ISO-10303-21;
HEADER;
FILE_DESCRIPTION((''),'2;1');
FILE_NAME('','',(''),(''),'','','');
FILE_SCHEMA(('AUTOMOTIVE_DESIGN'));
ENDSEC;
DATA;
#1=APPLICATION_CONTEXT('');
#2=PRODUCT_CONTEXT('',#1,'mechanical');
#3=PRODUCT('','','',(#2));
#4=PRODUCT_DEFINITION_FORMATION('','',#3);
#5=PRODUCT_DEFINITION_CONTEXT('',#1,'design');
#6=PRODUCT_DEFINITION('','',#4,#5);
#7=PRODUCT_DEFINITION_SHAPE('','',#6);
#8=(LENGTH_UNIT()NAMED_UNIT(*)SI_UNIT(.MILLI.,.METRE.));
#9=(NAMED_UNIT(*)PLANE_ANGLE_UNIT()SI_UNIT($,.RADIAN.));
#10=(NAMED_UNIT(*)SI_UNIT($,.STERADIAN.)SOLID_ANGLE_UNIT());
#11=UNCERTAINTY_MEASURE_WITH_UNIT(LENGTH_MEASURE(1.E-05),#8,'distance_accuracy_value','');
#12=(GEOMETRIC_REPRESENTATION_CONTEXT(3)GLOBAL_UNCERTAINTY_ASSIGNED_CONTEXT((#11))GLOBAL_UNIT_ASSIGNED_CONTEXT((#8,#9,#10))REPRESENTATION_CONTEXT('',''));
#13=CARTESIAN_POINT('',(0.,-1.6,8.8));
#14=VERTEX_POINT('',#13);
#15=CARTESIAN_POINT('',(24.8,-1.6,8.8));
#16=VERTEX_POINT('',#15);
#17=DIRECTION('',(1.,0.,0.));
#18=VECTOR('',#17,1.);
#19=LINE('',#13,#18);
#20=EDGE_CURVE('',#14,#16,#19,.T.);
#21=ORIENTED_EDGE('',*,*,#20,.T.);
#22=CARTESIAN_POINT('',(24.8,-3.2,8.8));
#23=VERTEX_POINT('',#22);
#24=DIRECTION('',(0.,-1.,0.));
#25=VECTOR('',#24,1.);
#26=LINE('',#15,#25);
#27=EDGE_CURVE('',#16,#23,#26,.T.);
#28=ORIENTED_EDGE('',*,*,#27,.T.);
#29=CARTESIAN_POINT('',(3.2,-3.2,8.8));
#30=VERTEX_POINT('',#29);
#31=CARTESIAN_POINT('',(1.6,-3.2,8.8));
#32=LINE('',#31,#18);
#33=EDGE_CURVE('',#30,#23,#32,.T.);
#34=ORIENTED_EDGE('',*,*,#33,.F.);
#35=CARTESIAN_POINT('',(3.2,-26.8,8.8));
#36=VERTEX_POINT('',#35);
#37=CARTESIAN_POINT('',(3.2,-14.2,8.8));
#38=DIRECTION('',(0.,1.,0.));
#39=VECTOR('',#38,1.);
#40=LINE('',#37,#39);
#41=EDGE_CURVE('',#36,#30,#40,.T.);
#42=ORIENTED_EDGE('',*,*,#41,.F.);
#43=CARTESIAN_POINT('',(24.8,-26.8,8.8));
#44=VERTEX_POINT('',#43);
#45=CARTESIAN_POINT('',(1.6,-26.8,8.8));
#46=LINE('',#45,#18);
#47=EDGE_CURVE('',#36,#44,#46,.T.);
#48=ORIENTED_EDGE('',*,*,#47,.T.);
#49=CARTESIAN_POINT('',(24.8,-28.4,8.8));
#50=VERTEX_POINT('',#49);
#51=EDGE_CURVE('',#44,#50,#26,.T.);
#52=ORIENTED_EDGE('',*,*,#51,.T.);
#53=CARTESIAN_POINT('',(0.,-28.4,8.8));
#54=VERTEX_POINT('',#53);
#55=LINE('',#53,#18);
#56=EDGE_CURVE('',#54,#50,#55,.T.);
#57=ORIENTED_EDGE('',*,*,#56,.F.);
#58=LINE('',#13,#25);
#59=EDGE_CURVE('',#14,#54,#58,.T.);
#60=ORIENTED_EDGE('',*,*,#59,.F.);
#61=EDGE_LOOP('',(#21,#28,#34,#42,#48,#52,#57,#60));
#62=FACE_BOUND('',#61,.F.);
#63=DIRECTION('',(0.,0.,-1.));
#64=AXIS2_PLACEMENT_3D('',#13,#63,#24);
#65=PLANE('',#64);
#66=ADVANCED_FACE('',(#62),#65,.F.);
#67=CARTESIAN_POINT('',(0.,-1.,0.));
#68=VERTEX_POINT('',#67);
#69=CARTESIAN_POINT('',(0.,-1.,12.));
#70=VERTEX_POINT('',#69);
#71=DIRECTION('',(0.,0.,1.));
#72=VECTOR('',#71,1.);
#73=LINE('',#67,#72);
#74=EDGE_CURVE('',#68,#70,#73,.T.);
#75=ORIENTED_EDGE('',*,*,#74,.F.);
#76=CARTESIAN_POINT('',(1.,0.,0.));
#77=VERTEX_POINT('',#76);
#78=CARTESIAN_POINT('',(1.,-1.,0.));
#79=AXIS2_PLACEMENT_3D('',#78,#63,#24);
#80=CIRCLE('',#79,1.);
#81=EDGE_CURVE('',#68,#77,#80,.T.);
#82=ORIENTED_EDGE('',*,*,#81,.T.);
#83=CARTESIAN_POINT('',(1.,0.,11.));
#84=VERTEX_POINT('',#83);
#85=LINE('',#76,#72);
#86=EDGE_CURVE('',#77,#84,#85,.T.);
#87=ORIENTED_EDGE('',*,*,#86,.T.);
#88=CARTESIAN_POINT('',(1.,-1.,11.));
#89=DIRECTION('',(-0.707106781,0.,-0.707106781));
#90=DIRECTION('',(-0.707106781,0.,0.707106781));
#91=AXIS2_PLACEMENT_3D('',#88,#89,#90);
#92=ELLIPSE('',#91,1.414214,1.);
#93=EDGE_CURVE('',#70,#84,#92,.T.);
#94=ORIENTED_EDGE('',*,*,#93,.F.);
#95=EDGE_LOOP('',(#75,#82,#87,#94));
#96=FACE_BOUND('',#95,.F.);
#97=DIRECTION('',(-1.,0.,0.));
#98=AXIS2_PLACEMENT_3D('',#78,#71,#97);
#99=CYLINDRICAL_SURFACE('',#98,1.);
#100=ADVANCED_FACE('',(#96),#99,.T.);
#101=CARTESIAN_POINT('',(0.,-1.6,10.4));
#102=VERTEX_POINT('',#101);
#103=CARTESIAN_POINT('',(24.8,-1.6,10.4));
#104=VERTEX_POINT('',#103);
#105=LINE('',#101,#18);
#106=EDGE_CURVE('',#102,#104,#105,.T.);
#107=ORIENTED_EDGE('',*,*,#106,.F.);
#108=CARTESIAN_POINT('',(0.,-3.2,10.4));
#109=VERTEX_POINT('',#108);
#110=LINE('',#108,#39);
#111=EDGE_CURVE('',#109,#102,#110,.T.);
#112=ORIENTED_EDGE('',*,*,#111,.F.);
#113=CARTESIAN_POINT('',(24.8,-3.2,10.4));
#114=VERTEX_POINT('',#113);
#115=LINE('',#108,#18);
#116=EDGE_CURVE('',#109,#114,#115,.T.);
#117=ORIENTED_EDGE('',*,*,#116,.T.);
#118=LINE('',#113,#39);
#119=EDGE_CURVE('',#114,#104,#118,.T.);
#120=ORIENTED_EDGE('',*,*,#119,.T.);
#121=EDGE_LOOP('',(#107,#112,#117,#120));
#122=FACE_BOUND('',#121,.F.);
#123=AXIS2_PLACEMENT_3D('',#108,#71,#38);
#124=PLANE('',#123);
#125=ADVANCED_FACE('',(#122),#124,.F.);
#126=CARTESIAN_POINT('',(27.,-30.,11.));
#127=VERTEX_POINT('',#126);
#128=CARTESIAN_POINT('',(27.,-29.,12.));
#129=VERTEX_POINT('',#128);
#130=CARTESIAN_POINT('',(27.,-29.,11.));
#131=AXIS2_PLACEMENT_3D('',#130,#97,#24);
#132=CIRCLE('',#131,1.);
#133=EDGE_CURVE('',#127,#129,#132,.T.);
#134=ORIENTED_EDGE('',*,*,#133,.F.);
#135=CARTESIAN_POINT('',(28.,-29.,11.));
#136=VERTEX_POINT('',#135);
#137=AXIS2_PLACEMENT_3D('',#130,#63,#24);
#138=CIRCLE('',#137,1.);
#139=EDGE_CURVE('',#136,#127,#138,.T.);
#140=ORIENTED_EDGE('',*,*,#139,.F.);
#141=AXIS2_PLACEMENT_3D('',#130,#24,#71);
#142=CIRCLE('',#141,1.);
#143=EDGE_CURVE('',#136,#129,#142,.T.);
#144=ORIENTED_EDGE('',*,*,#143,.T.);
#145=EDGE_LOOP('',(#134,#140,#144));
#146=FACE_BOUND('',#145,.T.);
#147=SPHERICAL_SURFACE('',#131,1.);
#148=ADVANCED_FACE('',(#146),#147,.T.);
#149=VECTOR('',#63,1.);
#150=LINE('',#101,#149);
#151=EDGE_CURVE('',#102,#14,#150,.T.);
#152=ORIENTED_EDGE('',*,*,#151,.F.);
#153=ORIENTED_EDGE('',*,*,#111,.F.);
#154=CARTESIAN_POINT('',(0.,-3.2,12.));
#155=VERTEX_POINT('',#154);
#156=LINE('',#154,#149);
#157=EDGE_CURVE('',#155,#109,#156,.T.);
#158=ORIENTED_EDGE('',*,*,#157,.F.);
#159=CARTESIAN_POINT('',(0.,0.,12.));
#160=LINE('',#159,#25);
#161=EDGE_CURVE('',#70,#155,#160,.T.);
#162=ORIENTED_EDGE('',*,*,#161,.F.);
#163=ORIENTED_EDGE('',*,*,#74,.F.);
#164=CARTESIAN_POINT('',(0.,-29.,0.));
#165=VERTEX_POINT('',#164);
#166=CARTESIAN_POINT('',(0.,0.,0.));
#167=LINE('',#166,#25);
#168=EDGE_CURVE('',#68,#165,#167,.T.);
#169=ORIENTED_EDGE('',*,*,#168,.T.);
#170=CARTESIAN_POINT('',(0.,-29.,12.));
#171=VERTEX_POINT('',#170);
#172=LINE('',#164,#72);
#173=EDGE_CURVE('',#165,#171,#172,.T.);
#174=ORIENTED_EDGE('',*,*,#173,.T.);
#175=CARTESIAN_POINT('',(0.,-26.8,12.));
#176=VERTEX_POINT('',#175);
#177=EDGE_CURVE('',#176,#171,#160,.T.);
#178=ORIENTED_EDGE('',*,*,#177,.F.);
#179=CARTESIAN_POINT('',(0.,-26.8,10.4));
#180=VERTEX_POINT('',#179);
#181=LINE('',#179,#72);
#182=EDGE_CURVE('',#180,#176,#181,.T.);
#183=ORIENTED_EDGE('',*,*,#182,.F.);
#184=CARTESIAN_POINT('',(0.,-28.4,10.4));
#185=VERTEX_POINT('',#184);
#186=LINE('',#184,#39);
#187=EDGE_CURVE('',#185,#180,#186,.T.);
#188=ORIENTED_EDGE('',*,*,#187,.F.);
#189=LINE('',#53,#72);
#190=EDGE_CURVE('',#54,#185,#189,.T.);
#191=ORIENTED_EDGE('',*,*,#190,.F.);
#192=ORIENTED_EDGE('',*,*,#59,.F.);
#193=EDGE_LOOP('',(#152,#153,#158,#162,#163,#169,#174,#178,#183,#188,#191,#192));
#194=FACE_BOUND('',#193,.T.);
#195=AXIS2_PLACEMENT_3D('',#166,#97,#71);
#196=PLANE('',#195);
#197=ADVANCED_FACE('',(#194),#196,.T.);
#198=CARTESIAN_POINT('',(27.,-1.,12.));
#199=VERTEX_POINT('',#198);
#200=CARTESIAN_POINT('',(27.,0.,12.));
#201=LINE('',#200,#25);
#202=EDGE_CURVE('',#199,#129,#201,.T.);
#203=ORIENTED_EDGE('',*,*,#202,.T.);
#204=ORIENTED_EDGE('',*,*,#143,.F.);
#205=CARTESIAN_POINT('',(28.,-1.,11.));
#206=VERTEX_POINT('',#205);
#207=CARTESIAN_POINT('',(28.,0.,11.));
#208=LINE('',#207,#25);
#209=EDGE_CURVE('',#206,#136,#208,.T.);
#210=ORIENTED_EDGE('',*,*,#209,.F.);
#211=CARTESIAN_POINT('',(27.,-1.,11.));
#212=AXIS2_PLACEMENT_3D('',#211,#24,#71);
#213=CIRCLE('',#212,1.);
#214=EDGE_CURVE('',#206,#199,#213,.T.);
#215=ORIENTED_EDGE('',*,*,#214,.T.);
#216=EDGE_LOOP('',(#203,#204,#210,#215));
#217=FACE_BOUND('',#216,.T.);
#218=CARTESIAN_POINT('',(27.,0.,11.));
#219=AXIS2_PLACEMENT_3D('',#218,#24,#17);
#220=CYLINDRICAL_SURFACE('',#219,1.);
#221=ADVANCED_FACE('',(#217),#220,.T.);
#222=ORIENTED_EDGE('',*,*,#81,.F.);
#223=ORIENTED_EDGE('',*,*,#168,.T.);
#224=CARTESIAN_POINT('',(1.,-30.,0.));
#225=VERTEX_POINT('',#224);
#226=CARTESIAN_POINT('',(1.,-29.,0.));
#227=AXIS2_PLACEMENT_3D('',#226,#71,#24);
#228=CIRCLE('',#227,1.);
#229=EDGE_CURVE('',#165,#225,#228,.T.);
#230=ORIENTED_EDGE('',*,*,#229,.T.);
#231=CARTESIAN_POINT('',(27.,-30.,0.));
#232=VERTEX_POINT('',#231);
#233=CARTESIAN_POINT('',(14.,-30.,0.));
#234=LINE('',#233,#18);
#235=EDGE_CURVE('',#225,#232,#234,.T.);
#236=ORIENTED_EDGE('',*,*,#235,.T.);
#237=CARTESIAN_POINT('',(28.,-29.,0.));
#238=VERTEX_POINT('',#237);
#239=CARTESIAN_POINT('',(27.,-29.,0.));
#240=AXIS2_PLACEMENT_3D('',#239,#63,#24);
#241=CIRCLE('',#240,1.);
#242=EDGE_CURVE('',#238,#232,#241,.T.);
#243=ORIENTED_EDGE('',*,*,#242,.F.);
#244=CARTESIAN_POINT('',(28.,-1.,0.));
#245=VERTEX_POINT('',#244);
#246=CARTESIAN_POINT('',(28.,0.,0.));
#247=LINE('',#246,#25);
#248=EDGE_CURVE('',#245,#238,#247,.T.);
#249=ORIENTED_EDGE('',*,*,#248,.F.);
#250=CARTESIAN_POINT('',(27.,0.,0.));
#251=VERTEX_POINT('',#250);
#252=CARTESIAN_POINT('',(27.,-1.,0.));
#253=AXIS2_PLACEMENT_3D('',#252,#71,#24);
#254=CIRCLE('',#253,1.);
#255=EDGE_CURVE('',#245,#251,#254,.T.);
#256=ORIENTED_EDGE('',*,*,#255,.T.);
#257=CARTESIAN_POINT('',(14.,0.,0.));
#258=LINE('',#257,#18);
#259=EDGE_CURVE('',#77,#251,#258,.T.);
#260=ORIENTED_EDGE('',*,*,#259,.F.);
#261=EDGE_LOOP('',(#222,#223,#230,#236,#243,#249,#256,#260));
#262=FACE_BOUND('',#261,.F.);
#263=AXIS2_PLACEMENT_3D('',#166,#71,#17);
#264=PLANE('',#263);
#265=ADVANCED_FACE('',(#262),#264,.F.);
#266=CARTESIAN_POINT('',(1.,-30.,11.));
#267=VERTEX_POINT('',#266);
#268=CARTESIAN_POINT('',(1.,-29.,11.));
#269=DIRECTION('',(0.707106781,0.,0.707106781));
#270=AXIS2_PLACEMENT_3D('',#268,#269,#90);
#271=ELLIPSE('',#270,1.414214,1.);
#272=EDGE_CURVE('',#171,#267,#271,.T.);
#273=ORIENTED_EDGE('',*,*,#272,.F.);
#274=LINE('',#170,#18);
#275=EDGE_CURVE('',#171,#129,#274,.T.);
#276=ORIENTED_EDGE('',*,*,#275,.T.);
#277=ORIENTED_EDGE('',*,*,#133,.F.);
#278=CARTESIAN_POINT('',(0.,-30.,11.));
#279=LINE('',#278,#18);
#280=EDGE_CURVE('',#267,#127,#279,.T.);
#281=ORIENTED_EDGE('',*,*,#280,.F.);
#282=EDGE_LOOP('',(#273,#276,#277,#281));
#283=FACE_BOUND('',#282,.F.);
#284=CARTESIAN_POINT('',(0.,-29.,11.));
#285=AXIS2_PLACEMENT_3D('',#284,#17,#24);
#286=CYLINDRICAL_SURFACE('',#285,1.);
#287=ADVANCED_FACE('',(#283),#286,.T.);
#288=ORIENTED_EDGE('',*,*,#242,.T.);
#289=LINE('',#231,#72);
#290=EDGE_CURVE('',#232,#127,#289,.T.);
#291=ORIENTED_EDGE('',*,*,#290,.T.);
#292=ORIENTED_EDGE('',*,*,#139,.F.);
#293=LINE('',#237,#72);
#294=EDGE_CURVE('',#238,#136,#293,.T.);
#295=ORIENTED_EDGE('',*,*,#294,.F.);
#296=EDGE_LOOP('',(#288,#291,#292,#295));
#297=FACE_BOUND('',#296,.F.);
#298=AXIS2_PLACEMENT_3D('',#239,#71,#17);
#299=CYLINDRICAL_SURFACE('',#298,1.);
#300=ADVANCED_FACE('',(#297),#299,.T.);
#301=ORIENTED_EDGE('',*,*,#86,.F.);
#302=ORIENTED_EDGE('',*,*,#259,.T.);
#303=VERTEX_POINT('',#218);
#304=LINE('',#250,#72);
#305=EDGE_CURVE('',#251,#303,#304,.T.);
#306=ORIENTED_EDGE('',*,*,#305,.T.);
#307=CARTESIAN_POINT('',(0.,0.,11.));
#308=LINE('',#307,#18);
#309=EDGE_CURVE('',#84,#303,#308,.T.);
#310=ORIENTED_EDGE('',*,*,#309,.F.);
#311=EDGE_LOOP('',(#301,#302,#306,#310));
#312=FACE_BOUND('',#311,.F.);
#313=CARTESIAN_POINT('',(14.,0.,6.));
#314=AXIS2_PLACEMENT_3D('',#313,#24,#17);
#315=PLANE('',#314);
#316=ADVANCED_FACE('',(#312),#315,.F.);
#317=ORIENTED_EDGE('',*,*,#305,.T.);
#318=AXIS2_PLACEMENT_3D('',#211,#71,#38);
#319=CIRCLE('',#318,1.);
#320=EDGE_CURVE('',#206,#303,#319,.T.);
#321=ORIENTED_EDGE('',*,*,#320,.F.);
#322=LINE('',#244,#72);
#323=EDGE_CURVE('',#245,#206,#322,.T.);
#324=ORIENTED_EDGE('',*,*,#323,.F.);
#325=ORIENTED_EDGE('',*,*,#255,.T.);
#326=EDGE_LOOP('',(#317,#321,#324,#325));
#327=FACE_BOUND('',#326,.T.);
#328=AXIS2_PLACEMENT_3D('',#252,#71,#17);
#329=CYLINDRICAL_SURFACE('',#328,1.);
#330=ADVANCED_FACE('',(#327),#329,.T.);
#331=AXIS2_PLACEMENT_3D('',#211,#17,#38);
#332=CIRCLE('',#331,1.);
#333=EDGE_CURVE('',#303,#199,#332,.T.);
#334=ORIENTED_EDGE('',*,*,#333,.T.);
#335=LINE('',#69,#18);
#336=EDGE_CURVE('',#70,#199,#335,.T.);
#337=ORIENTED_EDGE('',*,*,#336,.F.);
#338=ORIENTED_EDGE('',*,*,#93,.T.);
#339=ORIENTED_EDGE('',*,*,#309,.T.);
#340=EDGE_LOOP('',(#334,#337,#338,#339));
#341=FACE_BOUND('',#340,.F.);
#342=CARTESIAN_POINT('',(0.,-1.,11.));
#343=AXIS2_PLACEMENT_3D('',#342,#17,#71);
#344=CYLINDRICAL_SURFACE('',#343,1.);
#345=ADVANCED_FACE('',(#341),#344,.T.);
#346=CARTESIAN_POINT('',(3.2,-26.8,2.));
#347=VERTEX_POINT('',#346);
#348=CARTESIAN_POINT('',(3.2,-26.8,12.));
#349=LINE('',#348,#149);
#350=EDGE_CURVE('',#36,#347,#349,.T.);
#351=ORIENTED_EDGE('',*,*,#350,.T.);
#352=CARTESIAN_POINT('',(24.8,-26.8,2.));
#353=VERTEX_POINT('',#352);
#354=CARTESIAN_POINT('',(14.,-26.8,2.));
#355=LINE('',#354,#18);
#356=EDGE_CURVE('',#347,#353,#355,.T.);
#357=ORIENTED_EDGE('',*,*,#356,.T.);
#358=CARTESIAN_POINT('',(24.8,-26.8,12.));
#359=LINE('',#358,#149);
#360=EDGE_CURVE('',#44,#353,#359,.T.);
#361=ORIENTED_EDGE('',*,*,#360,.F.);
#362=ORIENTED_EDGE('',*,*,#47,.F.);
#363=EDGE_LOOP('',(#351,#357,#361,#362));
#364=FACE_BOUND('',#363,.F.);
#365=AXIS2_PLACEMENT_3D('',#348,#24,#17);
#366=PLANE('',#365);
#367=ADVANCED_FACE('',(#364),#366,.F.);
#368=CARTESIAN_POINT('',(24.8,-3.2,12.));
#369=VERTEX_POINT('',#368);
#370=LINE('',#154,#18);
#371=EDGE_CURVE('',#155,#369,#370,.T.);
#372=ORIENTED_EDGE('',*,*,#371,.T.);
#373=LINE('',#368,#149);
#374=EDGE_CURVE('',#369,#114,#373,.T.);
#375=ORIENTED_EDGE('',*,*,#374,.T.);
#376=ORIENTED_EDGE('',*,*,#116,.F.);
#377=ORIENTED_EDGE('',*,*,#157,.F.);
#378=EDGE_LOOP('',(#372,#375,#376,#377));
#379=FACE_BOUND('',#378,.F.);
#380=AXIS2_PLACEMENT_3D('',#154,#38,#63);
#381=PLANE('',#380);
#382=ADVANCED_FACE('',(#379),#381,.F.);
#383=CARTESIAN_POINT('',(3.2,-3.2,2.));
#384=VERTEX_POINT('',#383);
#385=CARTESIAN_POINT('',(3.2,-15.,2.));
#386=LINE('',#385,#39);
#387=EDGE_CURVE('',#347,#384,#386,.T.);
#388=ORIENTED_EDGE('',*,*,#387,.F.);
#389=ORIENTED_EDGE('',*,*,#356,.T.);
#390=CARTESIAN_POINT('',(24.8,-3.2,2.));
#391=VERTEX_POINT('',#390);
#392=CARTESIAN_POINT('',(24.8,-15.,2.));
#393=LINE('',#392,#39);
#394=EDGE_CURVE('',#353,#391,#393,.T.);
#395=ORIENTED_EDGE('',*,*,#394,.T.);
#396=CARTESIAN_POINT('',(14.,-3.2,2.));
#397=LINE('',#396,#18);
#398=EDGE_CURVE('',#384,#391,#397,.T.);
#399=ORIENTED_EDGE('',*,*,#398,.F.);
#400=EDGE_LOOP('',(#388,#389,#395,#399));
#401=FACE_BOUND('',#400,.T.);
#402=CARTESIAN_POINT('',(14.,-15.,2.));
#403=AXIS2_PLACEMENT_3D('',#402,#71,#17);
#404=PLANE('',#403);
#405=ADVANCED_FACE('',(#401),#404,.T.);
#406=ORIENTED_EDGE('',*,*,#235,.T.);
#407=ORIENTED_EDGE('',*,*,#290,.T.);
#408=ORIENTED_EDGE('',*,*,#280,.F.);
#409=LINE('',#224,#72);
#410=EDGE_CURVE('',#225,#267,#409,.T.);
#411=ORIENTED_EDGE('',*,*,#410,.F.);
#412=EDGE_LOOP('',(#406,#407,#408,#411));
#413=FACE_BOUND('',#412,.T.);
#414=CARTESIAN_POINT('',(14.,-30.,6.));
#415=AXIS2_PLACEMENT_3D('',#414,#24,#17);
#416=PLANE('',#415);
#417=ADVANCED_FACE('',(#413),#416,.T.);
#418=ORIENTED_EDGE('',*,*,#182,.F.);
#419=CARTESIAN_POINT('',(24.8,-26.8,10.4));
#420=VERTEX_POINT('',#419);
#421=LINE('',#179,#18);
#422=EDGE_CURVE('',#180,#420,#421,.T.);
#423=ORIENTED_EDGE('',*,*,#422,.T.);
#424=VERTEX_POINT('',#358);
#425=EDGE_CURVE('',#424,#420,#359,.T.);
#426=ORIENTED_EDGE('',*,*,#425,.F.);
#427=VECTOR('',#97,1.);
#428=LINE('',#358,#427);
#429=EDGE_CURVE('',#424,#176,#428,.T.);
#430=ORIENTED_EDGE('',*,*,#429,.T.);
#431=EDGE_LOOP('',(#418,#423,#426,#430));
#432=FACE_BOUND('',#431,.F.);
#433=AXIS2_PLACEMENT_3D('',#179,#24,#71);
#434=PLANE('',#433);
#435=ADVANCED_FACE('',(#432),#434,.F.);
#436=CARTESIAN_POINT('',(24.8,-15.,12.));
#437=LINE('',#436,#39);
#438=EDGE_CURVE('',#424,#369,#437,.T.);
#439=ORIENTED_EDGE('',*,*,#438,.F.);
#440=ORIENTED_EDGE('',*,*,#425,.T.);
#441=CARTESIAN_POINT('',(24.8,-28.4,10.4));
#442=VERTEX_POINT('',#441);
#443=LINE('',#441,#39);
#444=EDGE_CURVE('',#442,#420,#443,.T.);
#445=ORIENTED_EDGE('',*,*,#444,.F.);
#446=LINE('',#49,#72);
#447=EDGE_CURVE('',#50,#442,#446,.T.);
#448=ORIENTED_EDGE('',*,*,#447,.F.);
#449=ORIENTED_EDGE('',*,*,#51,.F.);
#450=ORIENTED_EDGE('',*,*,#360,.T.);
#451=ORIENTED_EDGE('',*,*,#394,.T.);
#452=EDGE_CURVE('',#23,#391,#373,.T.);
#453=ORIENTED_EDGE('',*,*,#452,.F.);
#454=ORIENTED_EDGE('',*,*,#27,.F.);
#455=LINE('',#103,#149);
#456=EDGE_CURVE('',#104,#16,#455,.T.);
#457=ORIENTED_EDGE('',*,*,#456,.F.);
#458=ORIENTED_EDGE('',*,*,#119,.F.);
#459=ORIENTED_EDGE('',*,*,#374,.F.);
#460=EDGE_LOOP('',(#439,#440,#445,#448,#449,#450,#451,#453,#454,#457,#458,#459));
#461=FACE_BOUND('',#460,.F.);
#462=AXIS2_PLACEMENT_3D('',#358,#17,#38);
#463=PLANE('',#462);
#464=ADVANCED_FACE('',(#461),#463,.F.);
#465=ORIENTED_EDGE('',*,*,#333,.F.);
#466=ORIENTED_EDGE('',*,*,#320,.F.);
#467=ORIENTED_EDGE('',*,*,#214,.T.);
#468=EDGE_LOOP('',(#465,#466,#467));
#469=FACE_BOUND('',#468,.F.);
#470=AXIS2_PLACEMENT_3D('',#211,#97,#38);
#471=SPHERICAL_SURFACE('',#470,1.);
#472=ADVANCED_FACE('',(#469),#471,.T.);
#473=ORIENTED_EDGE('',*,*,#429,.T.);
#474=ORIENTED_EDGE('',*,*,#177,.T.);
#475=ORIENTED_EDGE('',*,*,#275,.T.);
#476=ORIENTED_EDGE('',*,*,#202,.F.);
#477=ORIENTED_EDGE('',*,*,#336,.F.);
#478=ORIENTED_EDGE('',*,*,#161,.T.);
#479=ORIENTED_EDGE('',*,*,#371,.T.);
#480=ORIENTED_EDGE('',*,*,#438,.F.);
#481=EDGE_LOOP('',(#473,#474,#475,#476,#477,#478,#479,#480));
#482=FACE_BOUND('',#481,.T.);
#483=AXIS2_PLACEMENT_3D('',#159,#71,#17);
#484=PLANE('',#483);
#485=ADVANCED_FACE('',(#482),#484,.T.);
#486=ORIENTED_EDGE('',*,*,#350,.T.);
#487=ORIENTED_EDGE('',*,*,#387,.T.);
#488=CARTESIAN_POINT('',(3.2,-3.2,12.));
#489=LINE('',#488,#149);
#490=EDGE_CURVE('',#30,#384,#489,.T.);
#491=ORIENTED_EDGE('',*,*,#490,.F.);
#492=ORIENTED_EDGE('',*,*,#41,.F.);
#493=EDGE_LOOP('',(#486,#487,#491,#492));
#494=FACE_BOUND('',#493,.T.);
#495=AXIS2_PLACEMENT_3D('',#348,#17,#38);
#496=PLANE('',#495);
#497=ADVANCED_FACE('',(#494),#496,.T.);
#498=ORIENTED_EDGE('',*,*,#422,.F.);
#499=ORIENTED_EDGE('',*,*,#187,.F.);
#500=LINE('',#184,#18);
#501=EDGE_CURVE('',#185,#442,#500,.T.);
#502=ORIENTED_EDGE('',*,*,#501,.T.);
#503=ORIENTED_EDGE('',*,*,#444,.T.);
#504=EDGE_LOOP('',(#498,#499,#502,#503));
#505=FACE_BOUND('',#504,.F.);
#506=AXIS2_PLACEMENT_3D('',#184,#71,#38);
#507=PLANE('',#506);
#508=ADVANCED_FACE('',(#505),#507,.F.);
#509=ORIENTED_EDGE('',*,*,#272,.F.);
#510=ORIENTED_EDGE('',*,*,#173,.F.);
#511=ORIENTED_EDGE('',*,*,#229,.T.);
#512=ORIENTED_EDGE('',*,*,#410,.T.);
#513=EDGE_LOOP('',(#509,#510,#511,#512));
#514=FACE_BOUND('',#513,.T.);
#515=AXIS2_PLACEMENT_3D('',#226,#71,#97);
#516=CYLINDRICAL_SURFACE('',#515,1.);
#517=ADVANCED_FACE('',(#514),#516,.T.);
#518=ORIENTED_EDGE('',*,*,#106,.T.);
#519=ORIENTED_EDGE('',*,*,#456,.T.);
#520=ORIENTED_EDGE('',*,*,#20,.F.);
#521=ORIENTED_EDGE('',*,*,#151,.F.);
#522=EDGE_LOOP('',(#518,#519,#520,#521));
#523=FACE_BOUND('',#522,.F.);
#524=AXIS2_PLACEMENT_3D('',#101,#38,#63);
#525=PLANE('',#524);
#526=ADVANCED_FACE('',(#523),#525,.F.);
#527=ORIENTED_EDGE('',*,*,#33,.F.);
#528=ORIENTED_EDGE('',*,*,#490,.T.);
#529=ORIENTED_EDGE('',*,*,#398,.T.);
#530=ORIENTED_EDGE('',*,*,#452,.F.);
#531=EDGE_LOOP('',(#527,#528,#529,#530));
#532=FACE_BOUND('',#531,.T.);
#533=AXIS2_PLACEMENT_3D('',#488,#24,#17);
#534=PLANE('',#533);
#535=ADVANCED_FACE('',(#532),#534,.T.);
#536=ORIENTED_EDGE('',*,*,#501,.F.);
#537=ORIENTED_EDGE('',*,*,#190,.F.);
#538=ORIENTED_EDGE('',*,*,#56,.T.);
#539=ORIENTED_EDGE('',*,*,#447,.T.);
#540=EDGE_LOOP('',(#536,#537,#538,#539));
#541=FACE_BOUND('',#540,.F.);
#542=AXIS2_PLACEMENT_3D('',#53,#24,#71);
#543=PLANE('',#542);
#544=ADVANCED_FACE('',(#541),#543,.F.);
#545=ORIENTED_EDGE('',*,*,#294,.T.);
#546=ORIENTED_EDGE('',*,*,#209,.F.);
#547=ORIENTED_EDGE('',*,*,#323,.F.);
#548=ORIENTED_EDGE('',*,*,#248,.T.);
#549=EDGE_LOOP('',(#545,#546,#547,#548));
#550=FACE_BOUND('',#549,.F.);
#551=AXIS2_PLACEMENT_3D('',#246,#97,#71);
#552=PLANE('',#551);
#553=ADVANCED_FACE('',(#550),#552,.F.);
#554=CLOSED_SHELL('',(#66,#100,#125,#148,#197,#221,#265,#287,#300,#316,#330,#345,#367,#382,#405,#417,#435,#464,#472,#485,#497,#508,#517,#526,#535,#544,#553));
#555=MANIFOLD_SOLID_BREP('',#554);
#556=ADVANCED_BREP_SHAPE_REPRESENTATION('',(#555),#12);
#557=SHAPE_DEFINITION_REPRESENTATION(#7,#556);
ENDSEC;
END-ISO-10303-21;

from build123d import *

# Parameters (mm, degrees)
F0_W     = 28
F0_H     = 12
F1_DEPTH = 30
F2_W     = 21.6
F2_H     = 23.6
F3_DEPTH = 10
F5_DEPTH = 24.8
F6_R     = 1


with BuildPart() as f1:
    # F0 (on Front) → F1 (new body)
    with BuildSketch(Plane.XZ):
        with Locations((14, 6)):
            Rectangle(F0_W, F0_H)
    extrude(amount=F1_DEPTH)

    # F2 (on face) → F3 (cut)
    with BuildSketch(Plane.XY.offset(12)):
        with Locations((14, -15)):
            Rectangle(F2_W, F2_H)
    extrude(amount=-F3_DEPTH, mode=Mode.SUBTRACT)

    # F4 (on face) → F5 (cut, through all)
    with BuildSketch(Plane(origin=(0, 0, 0), x_dir=(0, -1, 0), z_dir=(-1, 0, 0))):
        Polygon((3.2, 10.4), (1.6, 10.4), (1.6, 8.8), (3.2, 8.8), (15, 8.8), (26.8, 8.8), (28.4, 8.8), (28.4, 10.4), (26.8, 10.4), (26.8, 12), (3.2, 12), align=None)
    extrude(amount=-F5_DEPTH, mode=Mode.SUBTRACT)

    # F6
    f6_edges = [f1.edges().sort_by_distance(p)[0] for p in [
        (0, 0, 6),
        (14, 0, 12),
        (0, -30, 6),
        (14, -30, 12),
        (28, 0, 6),
        (28, -30, 6),
        (28, -15, 12),
    ]]
    fillet(f6_edges, radius=F6_R)


solid = f1.part
